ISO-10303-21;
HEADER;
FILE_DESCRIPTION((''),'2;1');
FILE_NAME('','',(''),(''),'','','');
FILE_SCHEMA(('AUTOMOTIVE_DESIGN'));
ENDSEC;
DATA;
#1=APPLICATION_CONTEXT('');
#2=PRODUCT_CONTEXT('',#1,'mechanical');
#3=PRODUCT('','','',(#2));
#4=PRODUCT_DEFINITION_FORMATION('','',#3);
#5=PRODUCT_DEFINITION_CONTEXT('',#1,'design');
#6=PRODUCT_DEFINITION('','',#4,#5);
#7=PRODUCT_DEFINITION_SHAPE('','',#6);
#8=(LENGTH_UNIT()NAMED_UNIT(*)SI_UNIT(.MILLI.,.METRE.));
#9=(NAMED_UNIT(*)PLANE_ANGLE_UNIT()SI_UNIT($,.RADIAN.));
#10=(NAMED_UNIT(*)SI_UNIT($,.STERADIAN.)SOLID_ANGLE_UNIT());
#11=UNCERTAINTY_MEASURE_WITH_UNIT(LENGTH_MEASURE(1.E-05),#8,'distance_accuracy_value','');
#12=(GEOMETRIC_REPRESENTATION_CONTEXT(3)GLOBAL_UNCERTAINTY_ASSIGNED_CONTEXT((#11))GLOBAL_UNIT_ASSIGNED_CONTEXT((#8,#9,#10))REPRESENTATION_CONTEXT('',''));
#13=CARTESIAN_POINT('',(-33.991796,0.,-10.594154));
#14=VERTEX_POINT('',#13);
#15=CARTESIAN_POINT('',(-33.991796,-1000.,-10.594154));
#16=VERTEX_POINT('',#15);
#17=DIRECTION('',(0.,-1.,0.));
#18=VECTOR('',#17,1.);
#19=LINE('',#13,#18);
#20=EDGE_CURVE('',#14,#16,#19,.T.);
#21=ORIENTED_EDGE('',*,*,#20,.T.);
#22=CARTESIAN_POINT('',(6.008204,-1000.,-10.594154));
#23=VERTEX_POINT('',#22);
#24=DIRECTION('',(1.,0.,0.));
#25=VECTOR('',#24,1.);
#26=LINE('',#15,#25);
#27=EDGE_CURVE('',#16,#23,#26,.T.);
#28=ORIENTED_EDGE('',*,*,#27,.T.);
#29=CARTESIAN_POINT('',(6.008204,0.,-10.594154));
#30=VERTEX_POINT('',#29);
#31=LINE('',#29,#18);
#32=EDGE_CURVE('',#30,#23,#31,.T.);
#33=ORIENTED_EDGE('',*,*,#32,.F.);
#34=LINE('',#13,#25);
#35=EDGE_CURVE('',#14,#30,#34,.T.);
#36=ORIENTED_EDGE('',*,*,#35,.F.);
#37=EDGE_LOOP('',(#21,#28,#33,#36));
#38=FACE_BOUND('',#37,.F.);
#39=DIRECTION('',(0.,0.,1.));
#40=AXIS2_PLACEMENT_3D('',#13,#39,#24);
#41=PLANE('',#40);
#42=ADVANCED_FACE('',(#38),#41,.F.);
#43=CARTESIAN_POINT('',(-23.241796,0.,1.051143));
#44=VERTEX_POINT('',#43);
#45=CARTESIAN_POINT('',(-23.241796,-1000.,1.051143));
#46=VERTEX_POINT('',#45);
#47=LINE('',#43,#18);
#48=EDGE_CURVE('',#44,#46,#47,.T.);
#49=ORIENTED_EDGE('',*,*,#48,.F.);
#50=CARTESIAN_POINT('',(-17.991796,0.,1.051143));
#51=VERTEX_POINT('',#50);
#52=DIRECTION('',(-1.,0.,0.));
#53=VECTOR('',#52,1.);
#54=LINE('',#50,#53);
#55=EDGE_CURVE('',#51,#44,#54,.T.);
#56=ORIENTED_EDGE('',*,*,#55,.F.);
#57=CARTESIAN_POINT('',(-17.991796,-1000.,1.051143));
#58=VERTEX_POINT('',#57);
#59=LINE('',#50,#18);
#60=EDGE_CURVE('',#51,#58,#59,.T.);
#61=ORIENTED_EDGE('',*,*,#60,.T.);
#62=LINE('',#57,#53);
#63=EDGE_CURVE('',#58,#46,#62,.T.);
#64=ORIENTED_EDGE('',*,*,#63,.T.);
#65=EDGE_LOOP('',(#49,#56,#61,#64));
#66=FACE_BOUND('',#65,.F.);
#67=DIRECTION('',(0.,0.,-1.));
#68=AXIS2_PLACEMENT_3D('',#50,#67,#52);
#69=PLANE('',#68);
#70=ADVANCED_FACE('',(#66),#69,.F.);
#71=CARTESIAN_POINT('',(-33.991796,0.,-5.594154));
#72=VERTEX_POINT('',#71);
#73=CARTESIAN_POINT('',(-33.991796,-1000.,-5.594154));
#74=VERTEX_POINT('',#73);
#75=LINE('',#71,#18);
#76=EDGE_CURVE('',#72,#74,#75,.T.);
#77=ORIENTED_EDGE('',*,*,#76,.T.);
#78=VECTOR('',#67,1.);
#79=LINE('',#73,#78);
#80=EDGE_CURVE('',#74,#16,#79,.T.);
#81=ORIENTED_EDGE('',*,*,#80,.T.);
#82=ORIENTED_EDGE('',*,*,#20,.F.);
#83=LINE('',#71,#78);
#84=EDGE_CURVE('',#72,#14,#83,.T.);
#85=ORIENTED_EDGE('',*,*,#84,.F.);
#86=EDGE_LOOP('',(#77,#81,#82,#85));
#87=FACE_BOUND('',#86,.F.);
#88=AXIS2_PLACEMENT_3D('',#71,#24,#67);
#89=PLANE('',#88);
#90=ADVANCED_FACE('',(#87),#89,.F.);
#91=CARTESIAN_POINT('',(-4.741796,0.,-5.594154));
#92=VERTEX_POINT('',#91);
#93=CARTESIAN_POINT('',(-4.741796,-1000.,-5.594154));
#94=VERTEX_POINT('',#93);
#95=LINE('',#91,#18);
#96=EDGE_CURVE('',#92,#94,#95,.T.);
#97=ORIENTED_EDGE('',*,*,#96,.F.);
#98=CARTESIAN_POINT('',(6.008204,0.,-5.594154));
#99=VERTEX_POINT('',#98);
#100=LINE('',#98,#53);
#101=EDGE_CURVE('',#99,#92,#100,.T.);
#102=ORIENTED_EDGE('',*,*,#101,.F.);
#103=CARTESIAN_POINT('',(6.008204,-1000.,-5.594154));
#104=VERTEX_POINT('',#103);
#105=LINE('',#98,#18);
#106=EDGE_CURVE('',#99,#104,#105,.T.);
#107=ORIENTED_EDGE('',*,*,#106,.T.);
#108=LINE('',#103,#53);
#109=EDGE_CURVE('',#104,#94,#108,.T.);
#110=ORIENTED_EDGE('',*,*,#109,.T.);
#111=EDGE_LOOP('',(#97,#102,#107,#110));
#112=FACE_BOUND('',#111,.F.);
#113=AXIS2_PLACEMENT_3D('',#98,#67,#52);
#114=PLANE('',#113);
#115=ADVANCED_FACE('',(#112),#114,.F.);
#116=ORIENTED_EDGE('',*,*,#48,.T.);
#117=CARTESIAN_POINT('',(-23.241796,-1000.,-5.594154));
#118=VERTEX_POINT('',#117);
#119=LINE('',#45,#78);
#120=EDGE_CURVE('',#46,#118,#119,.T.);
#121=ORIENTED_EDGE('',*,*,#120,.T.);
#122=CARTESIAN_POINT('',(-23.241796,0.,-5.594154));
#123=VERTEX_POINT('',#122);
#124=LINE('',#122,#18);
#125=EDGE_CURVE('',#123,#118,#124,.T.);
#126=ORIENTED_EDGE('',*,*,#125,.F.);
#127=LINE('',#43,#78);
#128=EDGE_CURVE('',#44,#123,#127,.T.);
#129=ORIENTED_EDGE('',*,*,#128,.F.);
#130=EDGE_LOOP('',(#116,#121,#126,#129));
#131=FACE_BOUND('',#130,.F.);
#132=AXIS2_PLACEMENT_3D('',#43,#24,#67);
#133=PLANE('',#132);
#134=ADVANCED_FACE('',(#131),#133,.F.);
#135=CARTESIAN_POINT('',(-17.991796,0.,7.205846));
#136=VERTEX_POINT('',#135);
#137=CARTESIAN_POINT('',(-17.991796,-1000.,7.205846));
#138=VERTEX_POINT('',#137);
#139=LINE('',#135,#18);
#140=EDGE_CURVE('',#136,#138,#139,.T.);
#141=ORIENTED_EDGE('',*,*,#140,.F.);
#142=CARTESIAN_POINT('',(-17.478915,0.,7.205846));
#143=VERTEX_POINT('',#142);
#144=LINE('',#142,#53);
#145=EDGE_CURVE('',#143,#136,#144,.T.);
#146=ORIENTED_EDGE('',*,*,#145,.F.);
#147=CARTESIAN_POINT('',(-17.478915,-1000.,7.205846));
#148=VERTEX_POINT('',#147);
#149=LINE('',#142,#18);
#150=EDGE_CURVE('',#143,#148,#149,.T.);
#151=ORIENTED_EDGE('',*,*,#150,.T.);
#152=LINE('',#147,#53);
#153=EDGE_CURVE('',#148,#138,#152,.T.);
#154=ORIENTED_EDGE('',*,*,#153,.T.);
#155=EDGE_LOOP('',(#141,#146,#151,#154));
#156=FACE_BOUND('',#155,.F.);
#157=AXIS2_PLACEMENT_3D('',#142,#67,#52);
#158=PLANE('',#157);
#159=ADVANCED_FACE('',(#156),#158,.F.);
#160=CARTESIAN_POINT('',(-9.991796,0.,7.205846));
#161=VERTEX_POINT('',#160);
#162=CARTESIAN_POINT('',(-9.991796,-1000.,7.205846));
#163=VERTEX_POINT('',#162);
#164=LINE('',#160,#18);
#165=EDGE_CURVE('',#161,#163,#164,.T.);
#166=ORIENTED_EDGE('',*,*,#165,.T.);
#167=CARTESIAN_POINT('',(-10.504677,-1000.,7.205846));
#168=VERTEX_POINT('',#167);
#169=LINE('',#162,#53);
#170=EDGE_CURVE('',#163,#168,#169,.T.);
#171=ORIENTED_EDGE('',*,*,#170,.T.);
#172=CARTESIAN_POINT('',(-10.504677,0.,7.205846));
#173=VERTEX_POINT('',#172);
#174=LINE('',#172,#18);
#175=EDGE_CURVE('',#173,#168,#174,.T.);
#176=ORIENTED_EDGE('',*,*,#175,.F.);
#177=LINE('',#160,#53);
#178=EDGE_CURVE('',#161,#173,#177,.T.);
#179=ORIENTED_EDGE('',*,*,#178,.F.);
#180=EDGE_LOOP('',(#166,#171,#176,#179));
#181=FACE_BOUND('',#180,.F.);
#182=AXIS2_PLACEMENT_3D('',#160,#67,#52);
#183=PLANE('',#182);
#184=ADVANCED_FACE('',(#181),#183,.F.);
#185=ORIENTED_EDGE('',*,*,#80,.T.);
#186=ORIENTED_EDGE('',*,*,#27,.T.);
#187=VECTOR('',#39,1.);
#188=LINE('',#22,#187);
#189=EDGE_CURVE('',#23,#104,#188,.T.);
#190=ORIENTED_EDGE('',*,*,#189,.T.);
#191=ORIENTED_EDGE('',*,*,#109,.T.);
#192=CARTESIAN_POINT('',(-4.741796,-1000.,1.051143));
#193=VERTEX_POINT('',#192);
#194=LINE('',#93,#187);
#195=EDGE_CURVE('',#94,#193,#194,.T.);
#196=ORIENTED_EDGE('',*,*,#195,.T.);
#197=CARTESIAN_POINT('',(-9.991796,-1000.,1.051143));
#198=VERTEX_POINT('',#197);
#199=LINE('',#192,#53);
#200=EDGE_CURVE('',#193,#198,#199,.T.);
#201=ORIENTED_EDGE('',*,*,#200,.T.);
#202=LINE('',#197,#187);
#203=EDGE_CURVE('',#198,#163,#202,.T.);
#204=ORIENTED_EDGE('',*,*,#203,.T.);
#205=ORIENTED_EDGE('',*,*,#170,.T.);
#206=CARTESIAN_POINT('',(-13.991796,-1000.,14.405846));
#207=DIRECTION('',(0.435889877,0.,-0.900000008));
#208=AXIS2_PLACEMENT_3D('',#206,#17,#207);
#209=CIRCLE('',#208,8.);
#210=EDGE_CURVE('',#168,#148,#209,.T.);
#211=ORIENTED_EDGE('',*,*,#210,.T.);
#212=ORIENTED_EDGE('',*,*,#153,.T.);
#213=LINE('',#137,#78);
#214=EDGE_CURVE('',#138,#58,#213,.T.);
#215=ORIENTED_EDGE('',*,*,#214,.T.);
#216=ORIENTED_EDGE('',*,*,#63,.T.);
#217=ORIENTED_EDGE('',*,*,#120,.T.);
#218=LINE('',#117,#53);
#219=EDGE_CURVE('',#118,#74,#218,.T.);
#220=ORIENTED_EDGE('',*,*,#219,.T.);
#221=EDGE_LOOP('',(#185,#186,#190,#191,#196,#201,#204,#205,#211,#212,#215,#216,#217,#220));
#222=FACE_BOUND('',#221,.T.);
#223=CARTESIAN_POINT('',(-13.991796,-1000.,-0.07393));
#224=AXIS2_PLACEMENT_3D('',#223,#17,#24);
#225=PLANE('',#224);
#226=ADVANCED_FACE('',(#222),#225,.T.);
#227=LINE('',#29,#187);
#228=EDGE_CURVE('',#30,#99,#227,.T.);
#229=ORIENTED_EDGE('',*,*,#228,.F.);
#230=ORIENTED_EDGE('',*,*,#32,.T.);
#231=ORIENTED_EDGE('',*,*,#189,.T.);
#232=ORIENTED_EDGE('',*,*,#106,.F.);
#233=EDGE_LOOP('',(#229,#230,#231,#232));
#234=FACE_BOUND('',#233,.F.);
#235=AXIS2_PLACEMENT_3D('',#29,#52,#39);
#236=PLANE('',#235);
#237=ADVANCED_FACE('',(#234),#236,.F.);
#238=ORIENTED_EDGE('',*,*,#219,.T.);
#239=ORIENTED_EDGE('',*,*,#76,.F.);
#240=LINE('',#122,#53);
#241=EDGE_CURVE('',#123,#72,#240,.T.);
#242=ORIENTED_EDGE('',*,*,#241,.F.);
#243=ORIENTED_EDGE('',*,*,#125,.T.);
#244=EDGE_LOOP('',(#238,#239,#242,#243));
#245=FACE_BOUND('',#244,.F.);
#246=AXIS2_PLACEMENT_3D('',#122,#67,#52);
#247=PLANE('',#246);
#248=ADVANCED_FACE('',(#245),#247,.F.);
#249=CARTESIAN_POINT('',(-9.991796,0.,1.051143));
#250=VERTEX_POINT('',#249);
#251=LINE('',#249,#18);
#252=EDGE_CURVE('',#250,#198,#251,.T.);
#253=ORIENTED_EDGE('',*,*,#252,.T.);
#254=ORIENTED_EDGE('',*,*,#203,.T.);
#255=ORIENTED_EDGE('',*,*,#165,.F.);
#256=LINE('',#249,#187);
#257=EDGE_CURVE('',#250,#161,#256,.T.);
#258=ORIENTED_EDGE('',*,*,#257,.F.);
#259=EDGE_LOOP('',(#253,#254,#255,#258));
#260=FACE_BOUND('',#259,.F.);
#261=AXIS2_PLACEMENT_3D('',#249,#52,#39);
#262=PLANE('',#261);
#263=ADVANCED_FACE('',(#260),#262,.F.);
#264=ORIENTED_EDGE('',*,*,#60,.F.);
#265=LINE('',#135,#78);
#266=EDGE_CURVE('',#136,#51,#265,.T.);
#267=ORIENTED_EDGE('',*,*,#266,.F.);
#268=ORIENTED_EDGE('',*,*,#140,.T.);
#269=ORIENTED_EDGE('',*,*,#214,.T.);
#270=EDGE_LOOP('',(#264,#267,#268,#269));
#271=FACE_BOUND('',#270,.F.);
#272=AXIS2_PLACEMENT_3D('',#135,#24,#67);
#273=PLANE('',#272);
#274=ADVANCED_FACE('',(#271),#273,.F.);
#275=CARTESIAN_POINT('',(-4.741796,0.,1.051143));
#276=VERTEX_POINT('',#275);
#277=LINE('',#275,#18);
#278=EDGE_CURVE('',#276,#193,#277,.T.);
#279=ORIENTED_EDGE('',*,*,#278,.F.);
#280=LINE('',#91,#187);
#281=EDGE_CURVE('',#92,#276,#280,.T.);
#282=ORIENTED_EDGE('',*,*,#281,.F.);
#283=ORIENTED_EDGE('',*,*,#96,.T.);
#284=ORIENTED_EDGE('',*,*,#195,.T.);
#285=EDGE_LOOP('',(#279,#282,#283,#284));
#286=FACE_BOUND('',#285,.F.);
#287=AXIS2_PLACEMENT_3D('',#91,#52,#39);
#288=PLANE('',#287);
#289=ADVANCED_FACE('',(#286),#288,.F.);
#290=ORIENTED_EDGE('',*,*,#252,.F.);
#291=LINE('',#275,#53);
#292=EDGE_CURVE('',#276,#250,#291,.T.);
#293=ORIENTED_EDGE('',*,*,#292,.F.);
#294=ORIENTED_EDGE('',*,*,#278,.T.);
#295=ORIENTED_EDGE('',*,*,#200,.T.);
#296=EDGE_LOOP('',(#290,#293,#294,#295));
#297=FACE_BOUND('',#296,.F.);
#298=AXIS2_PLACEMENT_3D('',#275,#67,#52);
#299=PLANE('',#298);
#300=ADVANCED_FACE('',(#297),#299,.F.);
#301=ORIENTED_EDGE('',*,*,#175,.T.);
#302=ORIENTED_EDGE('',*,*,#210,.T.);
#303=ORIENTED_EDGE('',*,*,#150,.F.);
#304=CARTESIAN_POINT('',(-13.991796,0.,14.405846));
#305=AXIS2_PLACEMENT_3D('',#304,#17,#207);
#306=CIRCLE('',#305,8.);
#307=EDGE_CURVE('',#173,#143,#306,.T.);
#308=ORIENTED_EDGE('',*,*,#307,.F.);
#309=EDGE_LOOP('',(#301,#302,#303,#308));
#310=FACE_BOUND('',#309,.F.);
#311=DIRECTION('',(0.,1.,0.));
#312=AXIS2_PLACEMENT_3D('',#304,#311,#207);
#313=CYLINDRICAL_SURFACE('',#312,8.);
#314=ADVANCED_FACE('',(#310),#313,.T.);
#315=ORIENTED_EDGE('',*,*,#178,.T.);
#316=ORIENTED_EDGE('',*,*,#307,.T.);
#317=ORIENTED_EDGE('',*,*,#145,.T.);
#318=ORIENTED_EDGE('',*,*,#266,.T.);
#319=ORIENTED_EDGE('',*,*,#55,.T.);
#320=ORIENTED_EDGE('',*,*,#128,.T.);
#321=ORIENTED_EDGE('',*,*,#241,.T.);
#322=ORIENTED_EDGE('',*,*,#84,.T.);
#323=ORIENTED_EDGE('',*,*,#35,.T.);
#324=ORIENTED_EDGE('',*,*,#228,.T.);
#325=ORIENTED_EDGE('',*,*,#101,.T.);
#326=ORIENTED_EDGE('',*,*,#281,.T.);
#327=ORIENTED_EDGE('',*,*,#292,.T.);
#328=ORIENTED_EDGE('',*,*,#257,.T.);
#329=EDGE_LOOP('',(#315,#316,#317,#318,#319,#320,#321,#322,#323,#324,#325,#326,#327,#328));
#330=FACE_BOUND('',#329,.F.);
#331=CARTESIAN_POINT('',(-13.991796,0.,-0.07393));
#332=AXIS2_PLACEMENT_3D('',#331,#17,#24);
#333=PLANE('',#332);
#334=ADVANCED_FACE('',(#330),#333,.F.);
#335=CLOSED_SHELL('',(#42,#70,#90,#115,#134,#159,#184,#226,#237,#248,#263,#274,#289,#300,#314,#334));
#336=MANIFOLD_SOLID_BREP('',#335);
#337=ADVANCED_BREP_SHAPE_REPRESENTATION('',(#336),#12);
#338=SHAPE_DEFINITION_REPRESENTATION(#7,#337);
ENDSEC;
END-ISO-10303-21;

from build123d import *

# Parameters (mm, degrees)
F1_DEPTH = 1000


with BuildPart() as f1:
    # F0 (on Front) → F1 (new body)
    with BuildSketch(Plane.XZ):
        with BuildLine():
            Line((-33.991796, -5.594154), (-33.991796, -10.594154))
            Line((-33.991796, -10.594154), (6.008204, -10.594154))
            Line((6.008204, -10.594154), (6.008204, -5.594154))
            Line((6.008204, -5.594154), (-4.741796, -5.594154))
            Line((-4.741796, -5.594154), (-4.741796, 1.051143))
            Line((-4.741796, 1.051143), (-9.991796, 1.051143))
            Line((-9.991796, 1.051143), (-9.991796, 7.205846))
            Line((-9.991796, 7.205846), (-10.504677, 7.205846))
            ThreePointArc((-10.504677, 7.205846), (-13.991796, 22.405846), (-17.478915, 7.205846))
            Line((-17.478915, 7.205846), (-17.991796, 7.205846))
            Line((-17.991796, 7.205846), (-17.991796, 1.051143))
            Line((-17.991796, 1.051143), (-23.241796, 1.051143))
            Line((-23.241796, 1.051143), (-23.241796, -5.594154))
            Line((-23.241796, -5.594154), (-33.991796, -5.594154))
        make_face()
    extrude(amount=F1_DEPTH)


solid = f1.part
